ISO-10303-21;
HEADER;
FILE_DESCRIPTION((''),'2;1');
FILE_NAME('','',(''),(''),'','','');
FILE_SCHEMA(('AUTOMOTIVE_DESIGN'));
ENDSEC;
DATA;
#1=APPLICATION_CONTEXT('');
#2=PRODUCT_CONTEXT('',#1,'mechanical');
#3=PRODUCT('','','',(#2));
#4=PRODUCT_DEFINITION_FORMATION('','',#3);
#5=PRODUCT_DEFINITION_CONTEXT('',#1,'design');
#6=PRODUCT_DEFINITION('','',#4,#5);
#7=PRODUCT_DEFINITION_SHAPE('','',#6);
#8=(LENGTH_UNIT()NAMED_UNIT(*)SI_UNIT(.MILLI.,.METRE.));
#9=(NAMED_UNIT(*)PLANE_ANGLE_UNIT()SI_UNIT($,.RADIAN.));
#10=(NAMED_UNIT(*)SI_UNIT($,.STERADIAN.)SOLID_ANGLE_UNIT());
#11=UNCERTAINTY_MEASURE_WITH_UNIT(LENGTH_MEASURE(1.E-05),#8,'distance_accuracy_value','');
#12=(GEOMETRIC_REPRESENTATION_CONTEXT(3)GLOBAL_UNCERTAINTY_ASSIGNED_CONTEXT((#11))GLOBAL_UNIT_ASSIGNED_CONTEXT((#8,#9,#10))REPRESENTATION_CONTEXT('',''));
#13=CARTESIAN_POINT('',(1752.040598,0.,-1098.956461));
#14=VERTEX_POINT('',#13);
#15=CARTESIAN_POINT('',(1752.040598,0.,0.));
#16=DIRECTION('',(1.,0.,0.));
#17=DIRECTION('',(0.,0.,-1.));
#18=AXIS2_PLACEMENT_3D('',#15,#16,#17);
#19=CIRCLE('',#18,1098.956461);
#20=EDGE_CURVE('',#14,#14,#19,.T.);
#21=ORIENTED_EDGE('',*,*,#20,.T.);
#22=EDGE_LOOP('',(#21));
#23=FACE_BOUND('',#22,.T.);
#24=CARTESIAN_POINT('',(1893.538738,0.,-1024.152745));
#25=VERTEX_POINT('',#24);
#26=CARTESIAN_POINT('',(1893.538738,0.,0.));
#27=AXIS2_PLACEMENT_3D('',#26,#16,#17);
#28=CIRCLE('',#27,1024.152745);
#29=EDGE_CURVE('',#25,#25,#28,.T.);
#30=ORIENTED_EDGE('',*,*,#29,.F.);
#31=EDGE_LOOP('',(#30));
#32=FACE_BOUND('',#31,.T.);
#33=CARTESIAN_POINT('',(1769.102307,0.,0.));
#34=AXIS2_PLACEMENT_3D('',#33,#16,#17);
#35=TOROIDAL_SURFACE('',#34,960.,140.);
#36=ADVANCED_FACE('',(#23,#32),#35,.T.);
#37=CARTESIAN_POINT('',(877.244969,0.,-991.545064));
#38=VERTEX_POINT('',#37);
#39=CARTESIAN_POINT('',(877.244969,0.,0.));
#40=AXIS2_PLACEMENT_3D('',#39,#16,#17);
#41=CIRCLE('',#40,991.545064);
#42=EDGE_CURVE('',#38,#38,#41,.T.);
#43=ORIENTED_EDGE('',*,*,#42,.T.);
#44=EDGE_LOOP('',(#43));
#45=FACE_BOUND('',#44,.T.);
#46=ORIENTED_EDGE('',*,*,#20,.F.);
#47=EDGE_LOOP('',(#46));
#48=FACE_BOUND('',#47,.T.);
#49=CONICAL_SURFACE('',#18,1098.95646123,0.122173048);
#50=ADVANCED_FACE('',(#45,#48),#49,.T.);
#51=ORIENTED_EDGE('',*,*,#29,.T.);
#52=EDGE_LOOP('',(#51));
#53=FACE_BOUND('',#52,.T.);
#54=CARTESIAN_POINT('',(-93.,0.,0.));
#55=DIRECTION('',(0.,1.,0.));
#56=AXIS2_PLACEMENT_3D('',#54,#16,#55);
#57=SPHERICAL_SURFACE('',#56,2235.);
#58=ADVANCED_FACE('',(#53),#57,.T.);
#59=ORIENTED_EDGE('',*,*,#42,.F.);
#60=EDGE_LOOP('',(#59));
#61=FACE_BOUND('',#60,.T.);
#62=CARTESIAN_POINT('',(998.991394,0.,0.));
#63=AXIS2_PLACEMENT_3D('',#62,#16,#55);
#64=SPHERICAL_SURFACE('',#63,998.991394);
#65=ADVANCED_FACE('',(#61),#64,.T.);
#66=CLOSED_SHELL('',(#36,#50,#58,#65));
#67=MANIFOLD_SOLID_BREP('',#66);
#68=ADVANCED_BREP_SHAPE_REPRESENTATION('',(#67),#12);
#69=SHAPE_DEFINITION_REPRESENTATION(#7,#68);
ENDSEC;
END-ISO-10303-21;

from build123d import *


with BuildPart() as part:
    # Schizzo1 → Rivoluzione1 (revolve)
    with BuildSketch(Plane.XY):
        with BuildLine():
            Line((877.244969062, 991.545063995), (1752.040598457, 1098.95646123))
            ThreePointArc((1752.040598457, 1098.95646123), (1834.533428978, 1083.769011533), (1893.53873752, 1024.15274463))
            ThreePointArc((1893.53873752, 1024.15274463), (2078.996671079, 526.930223864), (2142, 0))
            Line((2142, 0), (0, 0))
            ThreePointArc((0, 0), (250.791074535, 661.951725898), (877.244969062, 991.545063995))
        make_face()
    revolve(axis=Axis((2142, 0, 0), (-1, 0, 0)))


solid = part.part
